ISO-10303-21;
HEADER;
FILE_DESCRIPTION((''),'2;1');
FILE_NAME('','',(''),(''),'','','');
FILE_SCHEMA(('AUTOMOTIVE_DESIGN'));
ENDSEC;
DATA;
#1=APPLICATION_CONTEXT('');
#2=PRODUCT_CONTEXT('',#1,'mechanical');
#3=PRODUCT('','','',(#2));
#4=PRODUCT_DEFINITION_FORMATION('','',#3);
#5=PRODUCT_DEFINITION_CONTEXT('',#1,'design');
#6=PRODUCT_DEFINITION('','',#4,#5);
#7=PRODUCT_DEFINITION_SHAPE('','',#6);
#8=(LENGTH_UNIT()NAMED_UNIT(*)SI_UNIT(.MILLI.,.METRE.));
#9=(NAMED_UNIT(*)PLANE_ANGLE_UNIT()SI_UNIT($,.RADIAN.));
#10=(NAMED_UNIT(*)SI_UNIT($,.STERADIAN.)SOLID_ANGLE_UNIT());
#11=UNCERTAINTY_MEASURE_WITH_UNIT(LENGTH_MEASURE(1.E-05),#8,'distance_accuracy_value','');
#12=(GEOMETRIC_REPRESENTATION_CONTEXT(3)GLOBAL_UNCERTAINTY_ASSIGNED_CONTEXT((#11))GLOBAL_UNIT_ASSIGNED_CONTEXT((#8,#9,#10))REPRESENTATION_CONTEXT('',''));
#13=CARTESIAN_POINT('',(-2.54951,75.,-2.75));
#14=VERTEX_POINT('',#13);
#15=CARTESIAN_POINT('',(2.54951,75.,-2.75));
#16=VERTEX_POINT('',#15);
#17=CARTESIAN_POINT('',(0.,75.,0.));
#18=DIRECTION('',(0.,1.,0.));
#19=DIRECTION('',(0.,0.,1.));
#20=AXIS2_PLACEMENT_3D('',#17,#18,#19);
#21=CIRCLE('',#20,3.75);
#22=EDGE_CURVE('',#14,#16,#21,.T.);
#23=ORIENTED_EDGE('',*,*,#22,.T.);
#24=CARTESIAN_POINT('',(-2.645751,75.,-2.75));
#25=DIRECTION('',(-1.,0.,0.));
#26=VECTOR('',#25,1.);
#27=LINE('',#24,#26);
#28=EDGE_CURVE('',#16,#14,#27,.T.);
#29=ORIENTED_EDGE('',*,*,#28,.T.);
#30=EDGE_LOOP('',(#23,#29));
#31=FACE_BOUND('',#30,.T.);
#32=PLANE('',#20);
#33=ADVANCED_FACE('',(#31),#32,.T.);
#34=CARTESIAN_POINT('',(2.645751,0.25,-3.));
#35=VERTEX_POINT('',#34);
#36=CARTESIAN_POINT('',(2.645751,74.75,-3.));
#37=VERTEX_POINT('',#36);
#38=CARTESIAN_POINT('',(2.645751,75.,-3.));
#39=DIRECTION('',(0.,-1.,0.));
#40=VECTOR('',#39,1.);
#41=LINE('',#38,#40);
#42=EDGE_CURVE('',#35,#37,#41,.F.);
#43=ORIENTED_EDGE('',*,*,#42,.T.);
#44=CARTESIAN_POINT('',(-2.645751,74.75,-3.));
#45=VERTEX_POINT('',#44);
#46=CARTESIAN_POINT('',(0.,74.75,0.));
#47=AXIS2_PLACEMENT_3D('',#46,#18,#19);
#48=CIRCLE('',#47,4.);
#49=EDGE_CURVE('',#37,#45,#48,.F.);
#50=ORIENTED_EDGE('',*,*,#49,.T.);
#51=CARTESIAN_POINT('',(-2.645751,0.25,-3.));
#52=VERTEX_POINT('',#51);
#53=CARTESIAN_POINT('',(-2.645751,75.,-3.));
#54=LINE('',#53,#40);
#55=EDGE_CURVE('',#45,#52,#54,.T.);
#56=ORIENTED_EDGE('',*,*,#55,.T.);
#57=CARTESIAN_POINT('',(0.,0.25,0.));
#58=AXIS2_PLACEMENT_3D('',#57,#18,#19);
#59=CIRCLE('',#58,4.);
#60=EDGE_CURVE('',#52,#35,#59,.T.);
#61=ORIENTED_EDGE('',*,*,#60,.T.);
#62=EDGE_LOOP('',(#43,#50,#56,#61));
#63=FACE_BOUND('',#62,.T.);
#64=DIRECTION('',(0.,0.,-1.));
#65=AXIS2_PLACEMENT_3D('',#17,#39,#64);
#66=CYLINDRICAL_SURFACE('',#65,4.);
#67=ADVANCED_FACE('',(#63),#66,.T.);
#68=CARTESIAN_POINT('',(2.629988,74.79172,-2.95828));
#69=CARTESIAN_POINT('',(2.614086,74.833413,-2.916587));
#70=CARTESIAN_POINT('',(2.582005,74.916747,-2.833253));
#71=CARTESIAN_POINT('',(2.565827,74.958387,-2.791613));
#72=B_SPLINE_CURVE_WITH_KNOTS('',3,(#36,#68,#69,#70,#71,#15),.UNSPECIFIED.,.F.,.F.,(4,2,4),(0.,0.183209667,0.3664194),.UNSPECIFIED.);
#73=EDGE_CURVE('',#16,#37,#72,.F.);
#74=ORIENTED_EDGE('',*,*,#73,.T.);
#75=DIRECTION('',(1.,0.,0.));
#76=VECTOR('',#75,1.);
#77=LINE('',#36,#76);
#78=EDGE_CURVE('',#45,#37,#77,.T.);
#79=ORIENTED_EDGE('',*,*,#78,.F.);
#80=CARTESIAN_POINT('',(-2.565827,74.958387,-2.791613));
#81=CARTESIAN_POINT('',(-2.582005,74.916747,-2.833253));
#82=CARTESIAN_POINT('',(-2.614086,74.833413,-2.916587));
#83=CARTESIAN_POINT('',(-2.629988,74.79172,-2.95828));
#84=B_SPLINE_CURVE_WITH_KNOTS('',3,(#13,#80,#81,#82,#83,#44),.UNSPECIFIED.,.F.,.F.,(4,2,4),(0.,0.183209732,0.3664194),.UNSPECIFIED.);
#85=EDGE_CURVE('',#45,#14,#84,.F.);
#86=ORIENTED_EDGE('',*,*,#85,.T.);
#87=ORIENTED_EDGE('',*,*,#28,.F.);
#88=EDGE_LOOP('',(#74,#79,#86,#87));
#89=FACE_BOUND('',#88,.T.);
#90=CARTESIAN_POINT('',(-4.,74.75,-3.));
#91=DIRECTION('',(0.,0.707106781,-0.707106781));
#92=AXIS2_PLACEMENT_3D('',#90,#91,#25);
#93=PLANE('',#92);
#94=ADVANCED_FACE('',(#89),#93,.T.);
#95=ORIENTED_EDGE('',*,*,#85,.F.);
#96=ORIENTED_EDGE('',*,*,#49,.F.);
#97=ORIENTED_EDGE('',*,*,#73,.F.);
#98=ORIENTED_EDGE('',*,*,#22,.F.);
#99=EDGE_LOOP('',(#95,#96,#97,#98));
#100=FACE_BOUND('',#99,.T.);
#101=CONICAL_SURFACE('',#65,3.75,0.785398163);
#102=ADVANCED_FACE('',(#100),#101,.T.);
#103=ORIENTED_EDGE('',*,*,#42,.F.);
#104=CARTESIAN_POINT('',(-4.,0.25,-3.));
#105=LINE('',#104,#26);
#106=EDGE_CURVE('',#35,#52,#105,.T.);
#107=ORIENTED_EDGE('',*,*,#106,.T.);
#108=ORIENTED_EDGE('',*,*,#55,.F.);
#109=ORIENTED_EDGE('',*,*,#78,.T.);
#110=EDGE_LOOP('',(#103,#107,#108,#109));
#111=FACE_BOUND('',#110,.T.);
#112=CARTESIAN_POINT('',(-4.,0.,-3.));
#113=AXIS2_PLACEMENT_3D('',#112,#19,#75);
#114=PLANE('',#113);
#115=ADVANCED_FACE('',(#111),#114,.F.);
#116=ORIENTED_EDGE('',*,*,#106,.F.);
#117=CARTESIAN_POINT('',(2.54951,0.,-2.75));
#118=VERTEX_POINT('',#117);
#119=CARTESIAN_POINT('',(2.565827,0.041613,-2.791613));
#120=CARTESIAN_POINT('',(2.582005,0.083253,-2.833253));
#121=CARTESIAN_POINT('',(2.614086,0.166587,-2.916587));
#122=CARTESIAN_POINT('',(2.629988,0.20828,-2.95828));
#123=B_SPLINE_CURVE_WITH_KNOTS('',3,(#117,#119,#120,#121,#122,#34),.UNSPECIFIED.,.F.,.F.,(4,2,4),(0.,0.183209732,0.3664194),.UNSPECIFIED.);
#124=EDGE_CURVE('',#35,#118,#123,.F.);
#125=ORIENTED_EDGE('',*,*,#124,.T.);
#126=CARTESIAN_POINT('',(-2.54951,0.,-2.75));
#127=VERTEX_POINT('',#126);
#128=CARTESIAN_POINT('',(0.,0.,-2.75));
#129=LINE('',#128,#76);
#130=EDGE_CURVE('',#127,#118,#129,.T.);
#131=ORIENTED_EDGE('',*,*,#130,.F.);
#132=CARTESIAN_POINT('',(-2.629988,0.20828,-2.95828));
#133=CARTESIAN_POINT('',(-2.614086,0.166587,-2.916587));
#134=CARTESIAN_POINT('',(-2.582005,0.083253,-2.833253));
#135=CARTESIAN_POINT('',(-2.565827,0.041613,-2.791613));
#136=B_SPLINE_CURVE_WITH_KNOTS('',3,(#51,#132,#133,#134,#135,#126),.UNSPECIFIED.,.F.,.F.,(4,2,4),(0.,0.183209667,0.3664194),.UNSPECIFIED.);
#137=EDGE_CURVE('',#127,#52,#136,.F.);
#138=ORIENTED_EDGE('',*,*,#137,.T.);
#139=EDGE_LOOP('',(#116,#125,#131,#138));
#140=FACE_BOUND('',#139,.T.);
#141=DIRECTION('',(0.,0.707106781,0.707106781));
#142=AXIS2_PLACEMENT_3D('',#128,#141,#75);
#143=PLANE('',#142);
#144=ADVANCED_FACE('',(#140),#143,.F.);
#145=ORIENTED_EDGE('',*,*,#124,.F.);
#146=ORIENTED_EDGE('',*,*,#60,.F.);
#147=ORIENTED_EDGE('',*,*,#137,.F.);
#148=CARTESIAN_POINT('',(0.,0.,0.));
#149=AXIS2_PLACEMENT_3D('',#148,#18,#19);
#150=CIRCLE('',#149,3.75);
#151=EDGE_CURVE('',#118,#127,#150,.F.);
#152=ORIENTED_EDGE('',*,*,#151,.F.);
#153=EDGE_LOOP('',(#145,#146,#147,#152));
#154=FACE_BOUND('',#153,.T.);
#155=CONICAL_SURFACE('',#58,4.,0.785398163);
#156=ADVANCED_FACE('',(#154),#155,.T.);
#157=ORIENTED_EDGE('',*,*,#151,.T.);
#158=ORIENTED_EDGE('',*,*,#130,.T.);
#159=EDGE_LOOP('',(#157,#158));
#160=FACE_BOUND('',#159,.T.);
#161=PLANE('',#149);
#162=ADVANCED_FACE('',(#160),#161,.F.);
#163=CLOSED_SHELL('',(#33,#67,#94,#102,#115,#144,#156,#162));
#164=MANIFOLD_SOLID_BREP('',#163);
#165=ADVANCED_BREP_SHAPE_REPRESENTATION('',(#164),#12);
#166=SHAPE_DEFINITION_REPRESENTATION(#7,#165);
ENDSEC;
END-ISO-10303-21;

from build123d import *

# Parameters (mm, degrees)
SKETCH1_R               = 4
BOSS_EXTRUDE1_DEPTH     = 75
CUT_EXTRUDE1_DEPTH      = 76.213030786
CUT_EXTRUDE1_DEPTH_BACK = 76.213030786
CHAMFER1_SIZE           = 0.25


with BuildPart() as part:
    # Sketch1 → Boss-Extrude1 (new body)
    with BuildSketch(Plane(origin=(0, 0, 0), x_dir=(1, 0, 0), z_dir=(0, 1, 0))):
        with Locations(Location((0, 0, 0), (0, 0, 270))):
            Circle(SKETCH1_R)
    extrude(amount=BOSS_EXTRUDE1_DEPTH)

    # Sketch2 → Cut-Extrude1 (cut, two sides: drawn at the far end of the back side and taken through both)
    with BuildSketch(Plane(origin=(0, 75, 0), x_dir=(1, 0, 0), z_dir=(0, 1, 0)).offset(-CUT_EXTRUDE1_DEPTH_BACK)):
        with BuildLine():
            Line((-4, 3), (4, 3))
            ThreePointArc((4, 3), (0, 5), (-4, 3))
        make_face()
    extrude(amount=CUT_EXTRUDE1_DEPTH + CUT_EXTRUDE1_DEPTH_BACK, mode=Mode.SUBTRACT)

    # Chamfer1
    chamfer1_edges = [part.edges().sort_by_distance(p)[0] for p in [
        (0, 0, 4),
        (0, 0, -3),
        (0, 75, 4),
        (0, 75, -3),
    ]]
    chamfer(chamfer1_edges, length=CHAMFER1_SIZE)


solid = part.part
